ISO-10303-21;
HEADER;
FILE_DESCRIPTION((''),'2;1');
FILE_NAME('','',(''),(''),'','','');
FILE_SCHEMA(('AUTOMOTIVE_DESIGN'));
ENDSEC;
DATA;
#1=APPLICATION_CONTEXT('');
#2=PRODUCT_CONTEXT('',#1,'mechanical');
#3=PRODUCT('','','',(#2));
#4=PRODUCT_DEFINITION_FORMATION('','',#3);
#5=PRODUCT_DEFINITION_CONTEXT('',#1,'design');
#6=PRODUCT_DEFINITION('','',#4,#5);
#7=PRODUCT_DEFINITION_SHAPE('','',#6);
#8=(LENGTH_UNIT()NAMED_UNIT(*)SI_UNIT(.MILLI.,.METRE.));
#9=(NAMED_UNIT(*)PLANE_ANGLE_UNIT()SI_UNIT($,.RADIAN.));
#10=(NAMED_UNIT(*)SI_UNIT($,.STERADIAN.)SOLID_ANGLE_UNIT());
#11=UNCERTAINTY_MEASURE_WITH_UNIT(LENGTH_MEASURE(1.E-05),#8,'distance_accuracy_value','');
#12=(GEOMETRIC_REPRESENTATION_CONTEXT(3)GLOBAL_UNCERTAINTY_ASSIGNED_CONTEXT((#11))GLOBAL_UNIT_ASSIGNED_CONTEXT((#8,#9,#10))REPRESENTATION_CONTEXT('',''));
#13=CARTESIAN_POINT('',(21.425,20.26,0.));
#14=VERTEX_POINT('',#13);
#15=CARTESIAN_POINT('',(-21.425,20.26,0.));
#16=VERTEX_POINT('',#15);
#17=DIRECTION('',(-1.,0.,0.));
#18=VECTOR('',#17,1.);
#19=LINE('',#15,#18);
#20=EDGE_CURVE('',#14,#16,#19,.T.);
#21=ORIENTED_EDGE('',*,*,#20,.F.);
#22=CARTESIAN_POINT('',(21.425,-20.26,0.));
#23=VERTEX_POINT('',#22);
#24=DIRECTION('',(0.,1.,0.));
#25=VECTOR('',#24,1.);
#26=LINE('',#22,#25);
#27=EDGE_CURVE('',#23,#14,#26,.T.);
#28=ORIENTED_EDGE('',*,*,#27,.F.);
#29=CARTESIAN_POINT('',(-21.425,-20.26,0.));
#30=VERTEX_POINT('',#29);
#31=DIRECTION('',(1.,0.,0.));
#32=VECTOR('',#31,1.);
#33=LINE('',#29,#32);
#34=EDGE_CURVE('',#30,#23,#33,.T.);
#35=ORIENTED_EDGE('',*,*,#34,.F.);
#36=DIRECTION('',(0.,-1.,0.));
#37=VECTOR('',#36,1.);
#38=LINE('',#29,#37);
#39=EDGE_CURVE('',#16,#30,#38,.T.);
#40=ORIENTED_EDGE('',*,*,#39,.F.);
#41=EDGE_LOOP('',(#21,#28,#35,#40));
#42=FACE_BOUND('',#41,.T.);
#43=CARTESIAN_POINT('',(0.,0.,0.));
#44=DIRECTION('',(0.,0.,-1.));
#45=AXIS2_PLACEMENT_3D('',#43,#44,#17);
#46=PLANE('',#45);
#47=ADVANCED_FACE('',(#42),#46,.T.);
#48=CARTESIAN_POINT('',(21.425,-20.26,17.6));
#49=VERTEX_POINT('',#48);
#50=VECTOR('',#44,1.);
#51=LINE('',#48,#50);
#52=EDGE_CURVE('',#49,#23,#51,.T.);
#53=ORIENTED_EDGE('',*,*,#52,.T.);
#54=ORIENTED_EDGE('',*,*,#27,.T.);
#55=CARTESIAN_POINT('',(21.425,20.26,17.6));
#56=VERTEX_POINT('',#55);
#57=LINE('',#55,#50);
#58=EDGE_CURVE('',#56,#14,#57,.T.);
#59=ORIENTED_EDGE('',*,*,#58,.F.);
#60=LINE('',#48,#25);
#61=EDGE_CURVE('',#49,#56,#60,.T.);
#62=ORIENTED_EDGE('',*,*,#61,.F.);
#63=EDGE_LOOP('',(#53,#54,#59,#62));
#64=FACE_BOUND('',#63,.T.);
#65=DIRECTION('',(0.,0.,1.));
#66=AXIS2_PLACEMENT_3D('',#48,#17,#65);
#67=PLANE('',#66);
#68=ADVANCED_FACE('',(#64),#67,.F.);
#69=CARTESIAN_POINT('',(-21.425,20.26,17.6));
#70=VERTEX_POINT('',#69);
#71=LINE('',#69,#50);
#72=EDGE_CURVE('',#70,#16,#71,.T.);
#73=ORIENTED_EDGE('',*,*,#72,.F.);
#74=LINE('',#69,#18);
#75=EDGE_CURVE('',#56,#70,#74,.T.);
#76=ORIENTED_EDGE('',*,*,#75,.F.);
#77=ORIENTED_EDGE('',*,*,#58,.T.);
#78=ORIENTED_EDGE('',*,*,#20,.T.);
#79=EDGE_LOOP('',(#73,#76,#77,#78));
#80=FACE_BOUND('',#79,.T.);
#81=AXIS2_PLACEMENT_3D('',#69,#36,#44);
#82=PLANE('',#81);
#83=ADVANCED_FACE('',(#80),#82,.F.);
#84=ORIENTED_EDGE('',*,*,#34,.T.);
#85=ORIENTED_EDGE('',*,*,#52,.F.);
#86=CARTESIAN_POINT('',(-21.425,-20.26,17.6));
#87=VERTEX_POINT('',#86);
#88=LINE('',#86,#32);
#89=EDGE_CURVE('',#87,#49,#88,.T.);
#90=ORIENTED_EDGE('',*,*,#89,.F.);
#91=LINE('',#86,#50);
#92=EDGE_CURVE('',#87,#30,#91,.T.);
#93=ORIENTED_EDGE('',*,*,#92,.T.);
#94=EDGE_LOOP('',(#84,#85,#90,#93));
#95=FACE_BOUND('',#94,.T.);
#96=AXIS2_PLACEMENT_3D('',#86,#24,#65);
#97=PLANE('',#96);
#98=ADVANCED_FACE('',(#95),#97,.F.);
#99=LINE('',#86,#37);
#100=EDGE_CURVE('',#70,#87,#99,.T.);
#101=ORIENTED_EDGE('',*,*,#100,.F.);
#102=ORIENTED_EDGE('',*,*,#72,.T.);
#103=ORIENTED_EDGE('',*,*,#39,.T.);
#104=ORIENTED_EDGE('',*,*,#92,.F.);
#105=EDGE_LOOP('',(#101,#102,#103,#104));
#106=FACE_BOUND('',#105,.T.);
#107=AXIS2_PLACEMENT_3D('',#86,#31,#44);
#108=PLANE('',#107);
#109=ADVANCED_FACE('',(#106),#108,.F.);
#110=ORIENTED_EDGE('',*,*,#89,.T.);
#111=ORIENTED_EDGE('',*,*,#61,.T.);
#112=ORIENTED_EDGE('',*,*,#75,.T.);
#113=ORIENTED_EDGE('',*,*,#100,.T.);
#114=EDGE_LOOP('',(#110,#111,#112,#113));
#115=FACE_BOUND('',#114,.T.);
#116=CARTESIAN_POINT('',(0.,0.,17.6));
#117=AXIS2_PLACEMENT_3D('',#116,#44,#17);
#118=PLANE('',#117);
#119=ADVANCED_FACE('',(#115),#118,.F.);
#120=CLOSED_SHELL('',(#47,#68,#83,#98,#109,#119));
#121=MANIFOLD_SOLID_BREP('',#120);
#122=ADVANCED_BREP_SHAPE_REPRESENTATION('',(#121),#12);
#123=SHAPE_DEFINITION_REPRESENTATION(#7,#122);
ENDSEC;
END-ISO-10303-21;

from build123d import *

# Parameters (mm, degrees)
SKETCH1_W      = 42.85
SKETCH1_H      = 40.52
ENVELOPE_DEPTH = 17.6


with BuildPart() as part:
    # Sketch1 → Envelope (new body)
    with BuildSketch(Plane.XY):
        Rectangle(SKETCH1_W, SKETCH1_H)
    extrude(amount=ENVELOPE_DEPTH)


solid = part.part
